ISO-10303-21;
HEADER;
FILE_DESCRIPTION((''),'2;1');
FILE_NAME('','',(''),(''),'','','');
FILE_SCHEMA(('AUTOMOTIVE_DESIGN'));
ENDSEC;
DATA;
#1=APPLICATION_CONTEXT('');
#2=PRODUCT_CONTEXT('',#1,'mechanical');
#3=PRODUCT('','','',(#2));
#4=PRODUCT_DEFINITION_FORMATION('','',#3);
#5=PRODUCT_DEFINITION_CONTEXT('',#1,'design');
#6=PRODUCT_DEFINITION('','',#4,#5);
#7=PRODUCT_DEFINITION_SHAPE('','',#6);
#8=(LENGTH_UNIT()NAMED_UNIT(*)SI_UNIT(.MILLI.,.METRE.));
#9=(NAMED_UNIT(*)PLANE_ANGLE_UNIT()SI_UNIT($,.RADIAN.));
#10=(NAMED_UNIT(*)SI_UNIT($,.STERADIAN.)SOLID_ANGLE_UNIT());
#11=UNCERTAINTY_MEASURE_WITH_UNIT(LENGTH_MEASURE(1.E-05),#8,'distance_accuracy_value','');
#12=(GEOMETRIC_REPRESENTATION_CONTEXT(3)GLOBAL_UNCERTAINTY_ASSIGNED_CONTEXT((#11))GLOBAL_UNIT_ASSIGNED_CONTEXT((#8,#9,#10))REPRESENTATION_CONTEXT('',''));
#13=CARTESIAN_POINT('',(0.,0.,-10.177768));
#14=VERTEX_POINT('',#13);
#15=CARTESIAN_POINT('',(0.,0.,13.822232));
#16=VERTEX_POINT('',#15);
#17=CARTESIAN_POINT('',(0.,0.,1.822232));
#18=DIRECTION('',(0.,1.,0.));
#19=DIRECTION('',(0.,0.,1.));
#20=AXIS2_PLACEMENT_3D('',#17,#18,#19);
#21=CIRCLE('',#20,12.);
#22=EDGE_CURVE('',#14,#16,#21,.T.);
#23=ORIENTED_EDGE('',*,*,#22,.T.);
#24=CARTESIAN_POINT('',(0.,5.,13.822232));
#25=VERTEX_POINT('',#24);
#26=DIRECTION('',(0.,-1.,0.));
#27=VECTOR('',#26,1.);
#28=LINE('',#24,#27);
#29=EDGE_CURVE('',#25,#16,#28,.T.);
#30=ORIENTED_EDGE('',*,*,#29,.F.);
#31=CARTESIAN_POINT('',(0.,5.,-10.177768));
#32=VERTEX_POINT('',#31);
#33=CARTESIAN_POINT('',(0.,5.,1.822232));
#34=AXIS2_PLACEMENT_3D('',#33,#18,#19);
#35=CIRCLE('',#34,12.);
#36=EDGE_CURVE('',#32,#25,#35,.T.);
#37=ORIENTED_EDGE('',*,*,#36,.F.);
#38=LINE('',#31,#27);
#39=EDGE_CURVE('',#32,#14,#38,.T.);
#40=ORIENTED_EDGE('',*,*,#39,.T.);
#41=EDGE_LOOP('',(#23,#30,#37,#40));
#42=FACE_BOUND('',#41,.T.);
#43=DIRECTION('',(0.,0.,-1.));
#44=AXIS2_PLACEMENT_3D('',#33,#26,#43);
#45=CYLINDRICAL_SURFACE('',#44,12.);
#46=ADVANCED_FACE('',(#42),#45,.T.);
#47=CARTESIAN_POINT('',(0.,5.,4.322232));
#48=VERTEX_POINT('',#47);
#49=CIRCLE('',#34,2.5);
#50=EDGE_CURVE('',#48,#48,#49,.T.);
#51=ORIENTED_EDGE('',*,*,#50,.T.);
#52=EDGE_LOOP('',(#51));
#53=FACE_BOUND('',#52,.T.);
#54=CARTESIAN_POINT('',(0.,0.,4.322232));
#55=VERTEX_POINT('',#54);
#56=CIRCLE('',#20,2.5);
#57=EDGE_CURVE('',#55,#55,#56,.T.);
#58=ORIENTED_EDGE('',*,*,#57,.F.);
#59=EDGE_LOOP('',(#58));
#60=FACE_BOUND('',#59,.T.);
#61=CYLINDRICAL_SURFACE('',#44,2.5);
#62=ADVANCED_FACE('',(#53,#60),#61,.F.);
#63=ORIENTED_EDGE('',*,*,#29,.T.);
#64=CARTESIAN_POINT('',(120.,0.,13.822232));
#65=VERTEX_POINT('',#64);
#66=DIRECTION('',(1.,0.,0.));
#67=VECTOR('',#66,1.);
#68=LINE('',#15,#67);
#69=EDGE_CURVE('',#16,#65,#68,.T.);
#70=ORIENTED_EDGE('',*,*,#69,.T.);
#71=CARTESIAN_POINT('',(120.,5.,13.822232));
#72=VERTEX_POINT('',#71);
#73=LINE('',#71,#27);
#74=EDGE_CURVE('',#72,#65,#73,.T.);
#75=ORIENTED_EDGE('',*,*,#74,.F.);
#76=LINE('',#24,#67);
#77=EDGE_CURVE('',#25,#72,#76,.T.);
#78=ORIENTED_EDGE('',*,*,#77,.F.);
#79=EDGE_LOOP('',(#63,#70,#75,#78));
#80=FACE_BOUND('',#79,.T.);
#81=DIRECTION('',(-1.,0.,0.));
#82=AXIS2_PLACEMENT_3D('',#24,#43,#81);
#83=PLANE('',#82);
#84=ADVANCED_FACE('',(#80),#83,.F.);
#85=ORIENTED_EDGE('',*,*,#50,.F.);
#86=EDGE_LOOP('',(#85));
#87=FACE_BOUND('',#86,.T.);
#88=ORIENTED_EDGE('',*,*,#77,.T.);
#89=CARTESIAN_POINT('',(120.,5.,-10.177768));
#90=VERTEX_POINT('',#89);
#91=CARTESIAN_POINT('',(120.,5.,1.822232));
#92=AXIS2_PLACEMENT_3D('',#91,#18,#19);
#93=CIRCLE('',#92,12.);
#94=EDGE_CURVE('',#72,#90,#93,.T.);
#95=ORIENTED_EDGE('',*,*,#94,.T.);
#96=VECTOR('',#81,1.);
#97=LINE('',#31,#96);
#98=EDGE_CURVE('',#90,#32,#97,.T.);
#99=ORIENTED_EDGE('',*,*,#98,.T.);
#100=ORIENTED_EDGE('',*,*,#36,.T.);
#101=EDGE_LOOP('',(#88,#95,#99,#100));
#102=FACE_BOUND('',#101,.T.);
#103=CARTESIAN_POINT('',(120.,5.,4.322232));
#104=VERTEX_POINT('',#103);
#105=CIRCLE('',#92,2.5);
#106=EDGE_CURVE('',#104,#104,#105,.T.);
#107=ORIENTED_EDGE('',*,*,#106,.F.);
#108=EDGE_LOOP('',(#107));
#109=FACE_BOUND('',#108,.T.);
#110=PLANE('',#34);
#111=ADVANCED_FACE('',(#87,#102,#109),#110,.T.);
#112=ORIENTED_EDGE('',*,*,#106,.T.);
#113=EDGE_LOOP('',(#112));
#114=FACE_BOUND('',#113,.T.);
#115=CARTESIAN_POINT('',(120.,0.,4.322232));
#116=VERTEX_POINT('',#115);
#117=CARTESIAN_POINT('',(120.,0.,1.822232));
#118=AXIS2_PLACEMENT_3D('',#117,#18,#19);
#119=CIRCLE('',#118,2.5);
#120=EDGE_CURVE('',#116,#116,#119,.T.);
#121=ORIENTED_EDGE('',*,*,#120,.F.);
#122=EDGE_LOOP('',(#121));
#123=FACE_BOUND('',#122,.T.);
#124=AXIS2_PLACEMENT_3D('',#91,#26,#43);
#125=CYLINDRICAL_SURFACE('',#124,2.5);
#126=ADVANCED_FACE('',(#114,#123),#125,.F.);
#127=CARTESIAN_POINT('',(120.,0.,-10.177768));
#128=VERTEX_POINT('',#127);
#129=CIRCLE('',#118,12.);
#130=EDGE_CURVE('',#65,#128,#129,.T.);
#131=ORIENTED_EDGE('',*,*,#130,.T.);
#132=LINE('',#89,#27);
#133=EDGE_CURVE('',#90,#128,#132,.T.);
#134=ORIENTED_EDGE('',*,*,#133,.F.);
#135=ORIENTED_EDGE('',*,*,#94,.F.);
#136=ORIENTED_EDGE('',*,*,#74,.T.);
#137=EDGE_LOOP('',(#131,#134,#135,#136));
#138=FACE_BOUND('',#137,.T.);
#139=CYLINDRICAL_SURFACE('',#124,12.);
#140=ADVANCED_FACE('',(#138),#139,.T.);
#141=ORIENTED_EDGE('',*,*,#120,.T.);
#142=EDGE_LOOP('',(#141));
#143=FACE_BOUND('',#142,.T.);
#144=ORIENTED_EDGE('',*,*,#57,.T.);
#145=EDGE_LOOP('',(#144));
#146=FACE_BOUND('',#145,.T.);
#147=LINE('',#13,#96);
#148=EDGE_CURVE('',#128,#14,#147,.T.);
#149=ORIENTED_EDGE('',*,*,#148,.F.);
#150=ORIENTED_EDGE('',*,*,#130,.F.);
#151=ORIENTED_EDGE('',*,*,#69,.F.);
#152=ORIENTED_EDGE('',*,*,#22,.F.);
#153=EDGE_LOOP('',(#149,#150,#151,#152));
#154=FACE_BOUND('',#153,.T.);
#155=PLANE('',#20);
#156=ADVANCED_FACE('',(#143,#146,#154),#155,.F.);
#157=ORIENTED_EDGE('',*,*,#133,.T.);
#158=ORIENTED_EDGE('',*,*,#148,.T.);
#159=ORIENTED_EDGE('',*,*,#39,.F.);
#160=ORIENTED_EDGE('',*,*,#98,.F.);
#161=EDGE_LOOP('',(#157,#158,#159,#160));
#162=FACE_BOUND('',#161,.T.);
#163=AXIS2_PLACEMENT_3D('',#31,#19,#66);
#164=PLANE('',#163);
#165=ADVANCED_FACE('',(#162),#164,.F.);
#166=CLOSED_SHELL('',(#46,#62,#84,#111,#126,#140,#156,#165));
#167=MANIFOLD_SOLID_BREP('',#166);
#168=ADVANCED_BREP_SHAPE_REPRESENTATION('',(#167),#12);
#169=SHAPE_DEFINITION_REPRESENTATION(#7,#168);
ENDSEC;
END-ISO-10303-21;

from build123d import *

# Parameters (mm, degrees)
SKETCH_1_R      = 2.5
EXTRUDE_1_DEPTH = 5


with BuildPart() as part:
    # Эскиз1 → Вытянуть1 (new body)
    with BuildSketch(Plane(origin=(0, 0, 0), x_dir=(1, 0, 0), z_dir=(0, 1, 0))):
        with BuildLine():
            Line((0, 10.177767955), (120, 10.177767955))
            ThreePointArc((120, 10.177767955), (132, -1.822232045), (120, -13.822232045))
            Line((120, -13.822232045), (0, -13.822232045))
            ThreePointArc((0, -13.822232045), (-12, -1.822232045), (0, 10.177767955))
        make_face()
        with Locations(Location((0, -1.822232045, 0), (0, 0, 270))):
            Circle(SKETCH_1_R, mode=Mode.SUBTRACT)
        with Locations(Location((120, -1.822232045, 0), (0, 0, 270))):
            Circle(SKETCH_1_R, mode=Mode.SUBTRACT)
    extrude(amount=EXTRUDE_1_DEPTH)


solid = part.part
